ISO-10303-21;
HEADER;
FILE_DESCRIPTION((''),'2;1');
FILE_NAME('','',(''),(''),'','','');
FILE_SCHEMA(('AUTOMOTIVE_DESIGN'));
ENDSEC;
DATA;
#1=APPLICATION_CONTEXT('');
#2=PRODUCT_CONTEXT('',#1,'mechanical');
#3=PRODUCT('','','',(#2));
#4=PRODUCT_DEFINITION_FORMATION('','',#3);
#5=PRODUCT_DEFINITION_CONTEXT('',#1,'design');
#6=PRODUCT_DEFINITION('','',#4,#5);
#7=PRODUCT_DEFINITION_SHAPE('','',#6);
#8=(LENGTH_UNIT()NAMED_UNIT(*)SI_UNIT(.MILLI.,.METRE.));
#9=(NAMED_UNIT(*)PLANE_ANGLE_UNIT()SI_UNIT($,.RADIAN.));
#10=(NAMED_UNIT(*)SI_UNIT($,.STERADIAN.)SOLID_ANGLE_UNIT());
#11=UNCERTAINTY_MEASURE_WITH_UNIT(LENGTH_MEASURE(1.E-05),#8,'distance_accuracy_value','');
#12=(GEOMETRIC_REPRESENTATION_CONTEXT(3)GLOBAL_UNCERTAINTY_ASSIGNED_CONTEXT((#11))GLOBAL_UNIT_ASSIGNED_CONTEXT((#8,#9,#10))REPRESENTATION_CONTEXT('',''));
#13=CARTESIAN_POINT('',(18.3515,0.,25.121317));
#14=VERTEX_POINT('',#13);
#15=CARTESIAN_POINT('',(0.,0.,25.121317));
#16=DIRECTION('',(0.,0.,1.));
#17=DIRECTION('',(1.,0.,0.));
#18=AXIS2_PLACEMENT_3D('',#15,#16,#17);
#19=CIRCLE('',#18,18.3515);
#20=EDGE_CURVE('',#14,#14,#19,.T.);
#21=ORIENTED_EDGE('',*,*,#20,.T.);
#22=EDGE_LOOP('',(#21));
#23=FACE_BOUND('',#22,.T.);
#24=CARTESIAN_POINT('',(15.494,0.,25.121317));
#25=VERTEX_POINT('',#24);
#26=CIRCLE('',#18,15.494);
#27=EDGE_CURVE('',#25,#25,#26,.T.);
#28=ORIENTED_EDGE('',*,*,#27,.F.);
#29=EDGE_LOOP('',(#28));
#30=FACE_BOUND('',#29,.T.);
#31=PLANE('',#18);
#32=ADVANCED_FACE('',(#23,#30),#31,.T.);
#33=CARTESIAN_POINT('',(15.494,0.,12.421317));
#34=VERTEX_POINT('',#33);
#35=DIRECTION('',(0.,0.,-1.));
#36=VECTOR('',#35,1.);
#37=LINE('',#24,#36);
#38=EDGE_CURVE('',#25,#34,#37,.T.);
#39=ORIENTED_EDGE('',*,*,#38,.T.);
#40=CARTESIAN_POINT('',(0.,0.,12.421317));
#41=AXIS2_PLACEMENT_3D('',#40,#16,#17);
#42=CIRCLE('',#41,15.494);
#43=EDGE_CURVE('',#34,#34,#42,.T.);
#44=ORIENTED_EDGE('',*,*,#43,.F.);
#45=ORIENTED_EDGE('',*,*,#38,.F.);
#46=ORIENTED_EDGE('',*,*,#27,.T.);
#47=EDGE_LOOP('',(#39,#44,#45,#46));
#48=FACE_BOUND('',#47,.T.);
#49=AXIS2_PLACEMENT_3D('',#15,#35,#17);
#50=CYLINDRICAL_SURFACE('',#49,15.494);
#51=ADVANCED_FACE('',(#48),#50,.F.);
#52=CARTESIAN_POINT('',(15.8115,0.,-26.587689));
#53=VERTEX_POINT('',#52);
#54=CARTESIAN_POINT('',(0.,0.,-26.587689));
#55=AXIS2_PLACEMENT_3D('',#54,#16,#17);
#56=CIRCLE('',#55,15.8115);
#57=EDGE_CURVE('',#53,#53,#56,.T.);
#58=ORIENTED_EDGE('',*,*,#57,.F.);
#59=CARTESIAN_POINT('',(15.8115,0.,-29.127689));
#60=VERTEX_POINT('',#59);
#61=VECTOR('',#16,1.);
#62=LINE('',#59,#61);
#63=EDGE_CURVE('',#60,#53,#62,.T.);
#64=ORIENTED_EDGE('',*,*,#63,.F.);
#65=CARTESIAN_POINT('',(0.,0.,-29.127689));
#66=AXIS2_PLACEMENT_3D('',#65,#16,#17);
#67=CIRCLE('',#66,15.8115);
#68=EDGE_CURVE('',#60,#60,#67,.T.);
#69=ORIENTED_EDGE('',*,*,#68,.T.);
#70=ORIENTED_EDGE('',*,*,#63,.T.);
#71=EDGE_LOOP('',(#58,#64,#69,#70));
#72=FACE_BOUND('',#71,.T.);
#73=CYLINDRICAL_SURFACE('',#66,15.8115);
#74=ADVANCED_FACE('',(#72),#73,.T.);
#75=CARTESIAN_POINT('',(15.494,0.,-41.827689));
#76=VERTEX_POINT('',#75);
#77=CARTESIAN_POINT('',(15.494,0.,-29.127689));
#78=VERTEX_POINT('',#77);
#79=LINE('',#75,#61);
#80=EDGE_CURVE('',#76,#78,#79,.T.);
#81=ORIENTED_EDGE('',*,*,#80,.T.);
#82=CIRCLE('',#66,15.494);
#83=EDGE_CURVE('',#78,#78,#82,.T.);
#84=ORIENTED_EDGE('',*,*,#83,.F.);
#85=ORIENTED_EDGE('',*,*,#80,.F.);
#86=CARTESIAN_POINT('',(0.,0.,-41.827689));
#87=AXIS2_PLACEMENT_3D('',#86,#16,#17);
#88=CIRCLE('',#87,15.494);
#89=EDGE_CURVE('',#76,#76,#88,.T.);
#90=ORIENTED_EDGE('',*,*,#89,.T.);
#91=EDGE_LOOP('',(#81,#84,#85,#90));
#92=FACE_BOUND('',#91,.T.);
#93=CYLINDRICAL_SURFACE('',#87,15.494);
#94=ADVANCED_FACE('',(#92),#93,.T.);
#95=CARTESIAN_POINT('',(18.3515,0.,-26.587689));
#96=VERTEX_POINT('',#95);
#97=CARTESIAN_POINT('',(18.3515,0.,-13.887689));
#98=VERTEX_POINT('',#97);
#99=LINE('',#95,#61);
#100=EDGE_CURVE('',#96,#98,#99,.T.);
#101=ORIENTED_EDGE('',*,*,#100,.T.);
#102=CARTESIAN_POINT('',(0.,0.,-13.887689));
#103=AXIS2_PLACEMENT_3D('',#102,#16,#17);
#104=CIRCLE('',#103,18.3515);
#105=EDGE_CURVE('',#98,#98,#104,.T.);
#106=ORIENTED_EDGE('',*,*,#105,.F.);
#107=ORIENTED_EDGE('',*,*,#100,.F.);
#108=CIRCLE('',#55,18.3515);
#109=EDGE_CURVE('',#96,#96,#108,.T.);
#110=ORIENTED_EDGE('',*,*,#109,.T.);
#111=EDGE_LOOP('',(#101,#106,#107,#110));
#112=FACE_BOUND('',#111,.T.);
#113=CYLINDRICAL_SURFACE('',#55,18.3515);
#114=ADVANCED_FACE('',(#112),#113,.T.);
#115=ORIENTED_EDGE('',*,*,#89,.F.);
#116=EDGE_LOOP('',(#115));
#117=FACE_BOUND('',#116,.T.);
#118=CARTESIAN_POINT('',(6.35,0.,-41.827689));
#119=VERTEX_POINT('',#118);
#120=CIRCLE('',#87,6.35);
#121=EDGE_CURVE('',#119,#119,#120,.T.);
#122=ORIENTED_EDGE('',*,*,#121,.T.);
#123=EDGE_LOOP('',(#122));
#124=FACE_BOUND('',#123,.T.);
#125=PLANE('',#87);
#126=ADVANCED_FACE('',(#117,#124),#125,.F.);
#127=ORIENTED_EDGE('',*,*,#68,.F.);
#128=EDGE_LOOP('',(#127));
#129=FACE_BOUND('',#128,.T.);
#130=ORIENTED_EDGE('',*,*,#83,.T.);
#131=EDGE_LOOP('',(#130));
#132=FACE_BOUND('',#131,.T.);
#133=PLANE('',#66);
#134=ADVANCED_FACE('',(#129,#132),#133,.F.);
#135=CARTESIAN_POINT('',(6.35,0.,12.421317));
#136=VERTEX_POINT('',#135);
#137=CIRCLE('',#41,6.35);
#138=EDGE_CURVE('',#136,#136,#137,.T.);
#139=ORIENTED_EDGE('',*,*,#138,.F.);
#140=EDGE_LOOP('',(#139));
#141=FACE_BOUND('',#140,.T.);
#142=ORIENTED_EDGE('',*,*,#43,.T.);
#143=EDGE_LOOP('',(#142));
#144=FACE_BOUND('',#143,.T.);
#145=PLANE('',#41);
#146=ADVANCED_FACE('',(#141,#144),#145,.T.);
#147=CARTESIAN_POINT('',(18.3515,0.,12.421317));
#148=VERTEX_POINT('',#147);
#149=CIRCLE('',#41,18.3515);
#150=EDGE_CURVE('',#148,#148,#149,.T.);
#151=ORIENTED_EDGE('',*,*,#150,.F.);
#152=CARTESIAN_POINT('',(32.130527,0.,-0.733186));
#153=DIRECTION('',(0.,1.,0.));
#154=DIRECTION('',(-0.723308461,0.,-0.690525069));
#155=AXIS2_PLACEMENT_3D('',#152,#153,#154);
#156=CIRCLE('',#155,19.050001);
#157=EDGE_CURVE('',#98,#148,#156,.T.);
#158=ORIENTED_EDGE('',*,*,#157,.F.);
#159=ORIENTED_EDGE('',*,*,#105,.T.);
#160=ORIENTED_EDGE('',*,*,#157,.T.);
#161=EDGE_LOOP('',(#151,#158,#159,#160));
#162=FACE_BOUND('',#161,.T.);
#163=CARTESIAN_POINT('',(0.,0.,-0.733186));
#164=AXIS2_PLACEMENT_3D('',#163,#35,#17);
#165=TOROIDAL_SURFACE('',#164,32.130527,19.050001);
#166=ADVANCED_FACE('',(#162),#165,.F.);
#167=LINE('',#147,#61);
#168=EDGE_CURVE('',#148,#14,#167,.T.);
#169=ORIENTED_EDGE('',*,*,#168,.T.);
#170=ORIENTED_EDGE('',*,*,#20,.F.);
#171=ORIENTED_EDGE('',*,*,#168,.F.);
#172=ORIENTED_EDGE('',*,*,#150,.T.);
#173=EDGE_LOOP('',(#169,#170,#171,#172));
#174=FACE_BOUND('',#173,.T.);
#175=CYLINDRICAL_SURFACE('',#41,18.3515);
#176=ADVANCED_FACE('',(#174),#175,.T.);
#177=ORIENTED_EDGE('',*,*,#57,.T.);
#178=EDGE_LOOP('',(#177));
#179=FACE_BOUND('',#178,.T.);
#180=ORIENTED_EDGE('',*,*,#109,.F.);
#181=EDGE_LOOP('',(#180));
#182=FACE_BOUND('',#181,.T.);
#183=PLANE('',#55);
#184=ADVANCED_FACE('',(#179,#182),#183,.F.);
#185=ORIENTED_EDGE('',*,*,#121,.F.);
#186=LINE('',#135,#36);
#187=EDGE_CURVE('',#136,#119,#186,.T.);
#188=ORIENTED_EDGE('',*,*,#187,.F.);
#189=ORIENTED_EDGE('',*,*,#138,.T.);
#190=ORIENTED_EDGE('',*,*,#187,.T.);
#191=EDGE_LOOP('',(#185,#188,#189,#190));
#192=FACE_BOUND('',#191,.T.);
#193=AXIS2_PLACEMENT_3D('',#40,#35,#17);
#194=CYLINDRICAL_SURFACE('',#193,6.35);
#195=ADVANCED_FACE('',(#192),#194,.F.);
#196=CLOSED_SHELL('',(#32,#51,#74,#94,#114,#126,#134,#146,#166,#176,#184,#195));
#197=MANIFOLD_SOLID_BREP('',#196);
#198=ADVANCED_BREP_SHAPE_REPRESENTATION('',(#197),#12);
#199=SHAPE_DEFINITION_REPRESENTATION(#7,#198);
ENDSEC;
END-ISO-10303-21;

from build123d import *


with BuildPart() as f1:
    # F0 (on Front) → F1 (revolve)
    with BuildSketch(Plane.XZ):
        with BuildLine():
            ThreePointArc((18.3515, -13.887689), (13.080526, -0.733186), (18.3515, 12.421317))
            Line((18.3515, 12.421317), (18.3515, 25.121317))
            Line((18.3515, 25.121317), (15.494, 25.121317))
            Line((15.494, 25.121317), (15.494, 12.421317))
            Line((15.494, 12.421317), (6.35, 12.421317))
            Line((6.35, 12.421317), (6.35, -41.827689))
            Line((6.35, -41.827689), (15.494, -41.827689))
            Line((15.494, -41.827689), (15.494, -29.127689))
            Line((15.494, -29.127689), (15.8115, -29.127689))
            Line((15.8115, -29.127689), (15.8115, -26.587689))
            Line((15.8115, -26.587689), (18.3515, -26.587689))
            Line((18.3515, -26.587689), (18.3515, -13.887689))
        make_face()
    revolve(axis=Axis((0, 0, -9.998942), (0, 0, 1)))


solid = f1.part
